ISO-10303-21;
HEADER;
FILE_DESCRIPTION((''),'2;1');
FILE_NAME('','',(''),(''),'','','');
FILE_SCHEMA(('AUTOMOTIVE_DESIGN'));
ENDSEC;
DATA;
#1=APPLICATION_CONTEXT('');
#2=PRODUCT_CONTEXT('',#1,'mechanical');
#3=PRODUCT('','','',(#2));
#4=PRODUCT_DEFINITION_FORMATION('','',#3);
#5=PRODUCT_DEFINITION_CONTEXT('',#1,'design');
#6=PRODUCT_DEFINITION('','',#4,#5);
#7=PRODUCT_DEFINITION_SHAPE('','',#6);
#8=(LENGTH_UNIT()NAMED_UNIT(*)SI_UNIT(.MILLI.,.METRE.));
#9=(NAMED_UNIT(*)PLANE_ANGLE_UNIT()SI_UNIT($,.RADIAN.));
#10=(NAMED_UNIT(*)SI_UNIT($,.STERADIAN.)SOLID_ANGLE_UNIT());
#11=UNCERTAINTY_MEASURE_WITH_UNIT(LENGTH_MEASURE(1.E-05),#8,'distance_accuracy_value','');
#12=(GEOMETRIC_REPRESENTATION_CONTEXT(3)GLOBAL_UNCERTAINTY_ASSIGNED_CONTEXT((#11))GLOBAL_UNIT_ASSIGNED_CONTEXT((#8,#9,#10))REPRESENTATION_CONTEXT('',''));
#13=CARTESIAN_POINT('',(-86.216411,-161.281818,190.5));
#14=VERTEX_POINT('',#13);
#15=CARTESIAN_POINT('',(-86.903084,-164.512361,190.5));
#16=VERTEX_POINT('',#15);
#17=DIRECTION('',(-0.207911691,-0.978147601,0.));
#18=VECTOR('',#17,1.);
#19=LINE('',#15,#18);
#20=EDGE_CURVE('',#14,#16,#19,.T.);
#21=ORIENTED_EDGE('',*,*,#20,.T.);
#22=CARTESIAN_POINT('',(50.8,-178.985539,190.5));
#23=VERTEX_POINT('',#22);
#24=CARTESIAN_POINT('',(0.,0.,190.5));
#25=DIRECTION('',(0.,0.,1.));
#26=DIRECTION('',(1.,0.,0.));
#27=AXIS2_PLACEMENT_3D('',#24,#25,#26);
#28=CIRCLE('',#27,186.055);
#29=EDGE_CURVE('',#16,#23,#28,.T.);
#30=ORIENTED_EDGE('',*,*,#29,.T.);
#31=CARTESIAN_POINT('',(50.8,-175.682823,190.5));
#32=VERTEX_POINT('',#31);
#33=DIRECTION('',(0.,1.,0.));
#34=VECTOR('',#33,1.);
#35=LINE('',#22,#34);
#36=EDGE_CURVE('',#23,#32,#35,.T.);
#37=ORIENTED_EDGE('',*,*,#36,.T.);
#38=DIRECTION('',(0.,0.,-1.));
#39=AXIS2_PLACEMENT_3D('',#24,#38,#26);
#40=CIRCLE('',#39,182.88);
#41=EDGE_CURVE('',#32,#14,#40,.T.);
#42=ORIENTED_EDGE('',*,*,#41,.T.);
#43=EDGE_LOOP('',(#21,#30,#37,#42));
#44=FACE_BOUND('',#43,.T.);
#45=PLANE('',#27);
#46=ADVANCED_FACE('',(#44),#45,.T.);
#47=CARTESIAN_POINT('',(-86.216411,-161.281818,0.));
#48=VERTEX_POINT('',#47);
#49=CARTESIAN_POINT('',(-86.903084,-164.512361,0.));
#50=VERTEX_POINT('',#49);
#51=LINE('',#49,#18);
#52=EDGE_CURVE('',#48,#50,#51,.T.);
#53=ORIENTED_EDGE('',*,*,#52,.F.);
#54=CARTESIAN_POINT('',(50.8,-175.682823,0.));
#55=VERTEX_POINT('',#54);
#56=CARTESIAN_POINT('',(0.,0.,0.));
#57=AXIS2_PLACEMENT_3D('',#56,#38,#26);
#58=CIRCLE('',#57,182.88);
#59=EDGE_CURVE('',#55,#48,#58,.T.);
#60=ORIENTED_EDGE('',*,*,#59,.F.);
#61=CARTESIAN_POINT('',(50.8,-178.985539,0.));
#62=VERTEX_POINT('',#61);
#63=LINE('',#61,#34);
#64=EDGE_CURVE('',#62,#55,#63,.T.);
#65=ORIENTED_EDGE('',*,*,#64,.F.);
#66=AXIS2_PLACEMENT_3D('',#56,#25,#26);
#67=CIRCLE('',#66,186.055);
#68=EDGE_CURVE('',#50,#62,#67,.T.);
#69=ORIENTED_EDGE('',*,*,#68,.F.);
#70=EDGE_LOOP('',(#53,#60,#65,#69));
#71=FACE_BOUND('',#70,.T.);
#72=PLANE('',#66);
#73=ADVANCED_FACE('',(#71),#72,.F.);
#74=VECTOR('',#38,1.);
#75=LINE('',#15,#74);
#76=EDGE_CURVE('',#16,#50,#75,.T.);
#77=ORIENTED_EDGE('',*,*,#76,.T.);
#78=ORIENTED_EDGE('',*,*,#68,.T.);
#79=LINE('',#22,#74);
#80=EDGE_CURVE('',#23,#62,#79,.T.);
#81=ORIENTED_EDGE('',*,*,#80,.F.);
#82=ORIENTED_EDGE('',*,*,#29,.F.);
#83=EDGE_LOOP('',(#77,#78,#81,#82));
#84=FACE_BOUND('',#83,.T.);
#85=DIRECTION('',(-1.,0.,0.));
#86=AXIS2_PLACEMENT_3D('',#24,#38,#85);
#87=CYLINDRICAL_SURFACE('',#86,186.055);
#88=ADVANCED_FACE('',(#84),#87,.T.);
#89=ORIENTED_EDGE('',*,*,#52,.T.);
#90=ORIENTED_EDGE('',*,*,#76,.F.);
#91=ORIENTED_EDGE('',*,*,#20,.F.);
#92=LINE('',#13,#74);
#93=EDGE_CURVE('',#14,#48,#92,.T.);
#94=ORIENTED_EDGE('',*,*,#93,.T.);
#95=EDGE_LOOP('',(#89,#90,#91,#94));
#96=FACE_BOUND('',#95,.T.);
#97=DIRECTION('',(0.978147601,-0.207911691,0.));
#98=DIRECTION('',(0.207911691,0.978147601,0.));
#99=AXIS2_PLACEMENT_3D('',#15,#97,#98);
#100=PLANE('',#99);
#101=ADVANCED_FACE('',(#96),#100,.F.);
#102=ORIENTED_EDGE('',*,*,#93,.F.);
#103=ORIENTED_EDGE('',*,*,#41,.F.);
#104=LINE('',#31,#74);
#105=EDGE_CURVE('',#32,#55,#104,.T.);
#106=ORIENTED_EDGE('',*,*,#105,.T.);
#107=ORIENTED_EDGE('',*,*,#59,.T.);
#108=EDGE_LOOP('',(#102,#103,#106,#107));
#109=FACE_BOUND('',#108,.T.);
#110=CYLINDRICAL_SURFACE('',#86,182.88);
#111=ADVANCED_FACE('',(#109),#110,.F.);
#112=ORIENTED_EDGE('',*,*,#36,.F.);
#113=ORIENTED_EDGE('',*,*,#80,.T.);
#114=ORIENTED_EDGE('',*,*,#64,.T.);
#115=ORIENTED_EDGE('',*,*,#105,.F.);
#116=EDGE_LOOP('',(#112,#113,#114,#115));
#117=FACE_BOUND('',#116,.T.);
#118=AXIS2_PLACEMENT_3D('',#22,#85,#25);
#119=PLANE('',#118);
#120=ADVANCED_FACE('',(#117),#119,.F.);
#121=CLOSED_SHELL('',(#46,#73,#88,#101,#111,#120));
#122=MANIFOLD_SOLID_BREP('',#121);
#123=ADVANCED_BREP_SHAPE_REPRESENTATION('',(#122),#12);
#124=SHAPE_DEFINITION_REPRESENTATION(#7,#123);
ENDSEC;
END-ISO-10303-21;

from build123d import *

# Parameters (mm, degrees)
BOSS_EXTRUDE1_DEPTH = 190.5


with BuildPart() as part:
    # Sketch1 → Boss-Extrude1 (new body)
    with BuildSketch(Plane(origin=(0, 0, 0), x_dir=(0, 1, 0), z_dir=(0, 0, 1))):
        with BuildLine():
            Line((-164.512361246, 86.903084078), (-161.2818182, 86.216410956))
            ThreePointArc((-161.2818182, 86.216410956), (-181.878164225, 19.116165362), (-175.682823292, -50.8))
            Line((-175.682823292, -50.8), (-178.985538592, -50.8))
            ThreePointArc((-178.985538592, -50.8), (-185.035771243, 19.448043233), (-164.512361246, 86.903084078))
        make_face()
    extrude(amount=BOSS_EXTRUDE1_DEPTH)


solid = part.part
